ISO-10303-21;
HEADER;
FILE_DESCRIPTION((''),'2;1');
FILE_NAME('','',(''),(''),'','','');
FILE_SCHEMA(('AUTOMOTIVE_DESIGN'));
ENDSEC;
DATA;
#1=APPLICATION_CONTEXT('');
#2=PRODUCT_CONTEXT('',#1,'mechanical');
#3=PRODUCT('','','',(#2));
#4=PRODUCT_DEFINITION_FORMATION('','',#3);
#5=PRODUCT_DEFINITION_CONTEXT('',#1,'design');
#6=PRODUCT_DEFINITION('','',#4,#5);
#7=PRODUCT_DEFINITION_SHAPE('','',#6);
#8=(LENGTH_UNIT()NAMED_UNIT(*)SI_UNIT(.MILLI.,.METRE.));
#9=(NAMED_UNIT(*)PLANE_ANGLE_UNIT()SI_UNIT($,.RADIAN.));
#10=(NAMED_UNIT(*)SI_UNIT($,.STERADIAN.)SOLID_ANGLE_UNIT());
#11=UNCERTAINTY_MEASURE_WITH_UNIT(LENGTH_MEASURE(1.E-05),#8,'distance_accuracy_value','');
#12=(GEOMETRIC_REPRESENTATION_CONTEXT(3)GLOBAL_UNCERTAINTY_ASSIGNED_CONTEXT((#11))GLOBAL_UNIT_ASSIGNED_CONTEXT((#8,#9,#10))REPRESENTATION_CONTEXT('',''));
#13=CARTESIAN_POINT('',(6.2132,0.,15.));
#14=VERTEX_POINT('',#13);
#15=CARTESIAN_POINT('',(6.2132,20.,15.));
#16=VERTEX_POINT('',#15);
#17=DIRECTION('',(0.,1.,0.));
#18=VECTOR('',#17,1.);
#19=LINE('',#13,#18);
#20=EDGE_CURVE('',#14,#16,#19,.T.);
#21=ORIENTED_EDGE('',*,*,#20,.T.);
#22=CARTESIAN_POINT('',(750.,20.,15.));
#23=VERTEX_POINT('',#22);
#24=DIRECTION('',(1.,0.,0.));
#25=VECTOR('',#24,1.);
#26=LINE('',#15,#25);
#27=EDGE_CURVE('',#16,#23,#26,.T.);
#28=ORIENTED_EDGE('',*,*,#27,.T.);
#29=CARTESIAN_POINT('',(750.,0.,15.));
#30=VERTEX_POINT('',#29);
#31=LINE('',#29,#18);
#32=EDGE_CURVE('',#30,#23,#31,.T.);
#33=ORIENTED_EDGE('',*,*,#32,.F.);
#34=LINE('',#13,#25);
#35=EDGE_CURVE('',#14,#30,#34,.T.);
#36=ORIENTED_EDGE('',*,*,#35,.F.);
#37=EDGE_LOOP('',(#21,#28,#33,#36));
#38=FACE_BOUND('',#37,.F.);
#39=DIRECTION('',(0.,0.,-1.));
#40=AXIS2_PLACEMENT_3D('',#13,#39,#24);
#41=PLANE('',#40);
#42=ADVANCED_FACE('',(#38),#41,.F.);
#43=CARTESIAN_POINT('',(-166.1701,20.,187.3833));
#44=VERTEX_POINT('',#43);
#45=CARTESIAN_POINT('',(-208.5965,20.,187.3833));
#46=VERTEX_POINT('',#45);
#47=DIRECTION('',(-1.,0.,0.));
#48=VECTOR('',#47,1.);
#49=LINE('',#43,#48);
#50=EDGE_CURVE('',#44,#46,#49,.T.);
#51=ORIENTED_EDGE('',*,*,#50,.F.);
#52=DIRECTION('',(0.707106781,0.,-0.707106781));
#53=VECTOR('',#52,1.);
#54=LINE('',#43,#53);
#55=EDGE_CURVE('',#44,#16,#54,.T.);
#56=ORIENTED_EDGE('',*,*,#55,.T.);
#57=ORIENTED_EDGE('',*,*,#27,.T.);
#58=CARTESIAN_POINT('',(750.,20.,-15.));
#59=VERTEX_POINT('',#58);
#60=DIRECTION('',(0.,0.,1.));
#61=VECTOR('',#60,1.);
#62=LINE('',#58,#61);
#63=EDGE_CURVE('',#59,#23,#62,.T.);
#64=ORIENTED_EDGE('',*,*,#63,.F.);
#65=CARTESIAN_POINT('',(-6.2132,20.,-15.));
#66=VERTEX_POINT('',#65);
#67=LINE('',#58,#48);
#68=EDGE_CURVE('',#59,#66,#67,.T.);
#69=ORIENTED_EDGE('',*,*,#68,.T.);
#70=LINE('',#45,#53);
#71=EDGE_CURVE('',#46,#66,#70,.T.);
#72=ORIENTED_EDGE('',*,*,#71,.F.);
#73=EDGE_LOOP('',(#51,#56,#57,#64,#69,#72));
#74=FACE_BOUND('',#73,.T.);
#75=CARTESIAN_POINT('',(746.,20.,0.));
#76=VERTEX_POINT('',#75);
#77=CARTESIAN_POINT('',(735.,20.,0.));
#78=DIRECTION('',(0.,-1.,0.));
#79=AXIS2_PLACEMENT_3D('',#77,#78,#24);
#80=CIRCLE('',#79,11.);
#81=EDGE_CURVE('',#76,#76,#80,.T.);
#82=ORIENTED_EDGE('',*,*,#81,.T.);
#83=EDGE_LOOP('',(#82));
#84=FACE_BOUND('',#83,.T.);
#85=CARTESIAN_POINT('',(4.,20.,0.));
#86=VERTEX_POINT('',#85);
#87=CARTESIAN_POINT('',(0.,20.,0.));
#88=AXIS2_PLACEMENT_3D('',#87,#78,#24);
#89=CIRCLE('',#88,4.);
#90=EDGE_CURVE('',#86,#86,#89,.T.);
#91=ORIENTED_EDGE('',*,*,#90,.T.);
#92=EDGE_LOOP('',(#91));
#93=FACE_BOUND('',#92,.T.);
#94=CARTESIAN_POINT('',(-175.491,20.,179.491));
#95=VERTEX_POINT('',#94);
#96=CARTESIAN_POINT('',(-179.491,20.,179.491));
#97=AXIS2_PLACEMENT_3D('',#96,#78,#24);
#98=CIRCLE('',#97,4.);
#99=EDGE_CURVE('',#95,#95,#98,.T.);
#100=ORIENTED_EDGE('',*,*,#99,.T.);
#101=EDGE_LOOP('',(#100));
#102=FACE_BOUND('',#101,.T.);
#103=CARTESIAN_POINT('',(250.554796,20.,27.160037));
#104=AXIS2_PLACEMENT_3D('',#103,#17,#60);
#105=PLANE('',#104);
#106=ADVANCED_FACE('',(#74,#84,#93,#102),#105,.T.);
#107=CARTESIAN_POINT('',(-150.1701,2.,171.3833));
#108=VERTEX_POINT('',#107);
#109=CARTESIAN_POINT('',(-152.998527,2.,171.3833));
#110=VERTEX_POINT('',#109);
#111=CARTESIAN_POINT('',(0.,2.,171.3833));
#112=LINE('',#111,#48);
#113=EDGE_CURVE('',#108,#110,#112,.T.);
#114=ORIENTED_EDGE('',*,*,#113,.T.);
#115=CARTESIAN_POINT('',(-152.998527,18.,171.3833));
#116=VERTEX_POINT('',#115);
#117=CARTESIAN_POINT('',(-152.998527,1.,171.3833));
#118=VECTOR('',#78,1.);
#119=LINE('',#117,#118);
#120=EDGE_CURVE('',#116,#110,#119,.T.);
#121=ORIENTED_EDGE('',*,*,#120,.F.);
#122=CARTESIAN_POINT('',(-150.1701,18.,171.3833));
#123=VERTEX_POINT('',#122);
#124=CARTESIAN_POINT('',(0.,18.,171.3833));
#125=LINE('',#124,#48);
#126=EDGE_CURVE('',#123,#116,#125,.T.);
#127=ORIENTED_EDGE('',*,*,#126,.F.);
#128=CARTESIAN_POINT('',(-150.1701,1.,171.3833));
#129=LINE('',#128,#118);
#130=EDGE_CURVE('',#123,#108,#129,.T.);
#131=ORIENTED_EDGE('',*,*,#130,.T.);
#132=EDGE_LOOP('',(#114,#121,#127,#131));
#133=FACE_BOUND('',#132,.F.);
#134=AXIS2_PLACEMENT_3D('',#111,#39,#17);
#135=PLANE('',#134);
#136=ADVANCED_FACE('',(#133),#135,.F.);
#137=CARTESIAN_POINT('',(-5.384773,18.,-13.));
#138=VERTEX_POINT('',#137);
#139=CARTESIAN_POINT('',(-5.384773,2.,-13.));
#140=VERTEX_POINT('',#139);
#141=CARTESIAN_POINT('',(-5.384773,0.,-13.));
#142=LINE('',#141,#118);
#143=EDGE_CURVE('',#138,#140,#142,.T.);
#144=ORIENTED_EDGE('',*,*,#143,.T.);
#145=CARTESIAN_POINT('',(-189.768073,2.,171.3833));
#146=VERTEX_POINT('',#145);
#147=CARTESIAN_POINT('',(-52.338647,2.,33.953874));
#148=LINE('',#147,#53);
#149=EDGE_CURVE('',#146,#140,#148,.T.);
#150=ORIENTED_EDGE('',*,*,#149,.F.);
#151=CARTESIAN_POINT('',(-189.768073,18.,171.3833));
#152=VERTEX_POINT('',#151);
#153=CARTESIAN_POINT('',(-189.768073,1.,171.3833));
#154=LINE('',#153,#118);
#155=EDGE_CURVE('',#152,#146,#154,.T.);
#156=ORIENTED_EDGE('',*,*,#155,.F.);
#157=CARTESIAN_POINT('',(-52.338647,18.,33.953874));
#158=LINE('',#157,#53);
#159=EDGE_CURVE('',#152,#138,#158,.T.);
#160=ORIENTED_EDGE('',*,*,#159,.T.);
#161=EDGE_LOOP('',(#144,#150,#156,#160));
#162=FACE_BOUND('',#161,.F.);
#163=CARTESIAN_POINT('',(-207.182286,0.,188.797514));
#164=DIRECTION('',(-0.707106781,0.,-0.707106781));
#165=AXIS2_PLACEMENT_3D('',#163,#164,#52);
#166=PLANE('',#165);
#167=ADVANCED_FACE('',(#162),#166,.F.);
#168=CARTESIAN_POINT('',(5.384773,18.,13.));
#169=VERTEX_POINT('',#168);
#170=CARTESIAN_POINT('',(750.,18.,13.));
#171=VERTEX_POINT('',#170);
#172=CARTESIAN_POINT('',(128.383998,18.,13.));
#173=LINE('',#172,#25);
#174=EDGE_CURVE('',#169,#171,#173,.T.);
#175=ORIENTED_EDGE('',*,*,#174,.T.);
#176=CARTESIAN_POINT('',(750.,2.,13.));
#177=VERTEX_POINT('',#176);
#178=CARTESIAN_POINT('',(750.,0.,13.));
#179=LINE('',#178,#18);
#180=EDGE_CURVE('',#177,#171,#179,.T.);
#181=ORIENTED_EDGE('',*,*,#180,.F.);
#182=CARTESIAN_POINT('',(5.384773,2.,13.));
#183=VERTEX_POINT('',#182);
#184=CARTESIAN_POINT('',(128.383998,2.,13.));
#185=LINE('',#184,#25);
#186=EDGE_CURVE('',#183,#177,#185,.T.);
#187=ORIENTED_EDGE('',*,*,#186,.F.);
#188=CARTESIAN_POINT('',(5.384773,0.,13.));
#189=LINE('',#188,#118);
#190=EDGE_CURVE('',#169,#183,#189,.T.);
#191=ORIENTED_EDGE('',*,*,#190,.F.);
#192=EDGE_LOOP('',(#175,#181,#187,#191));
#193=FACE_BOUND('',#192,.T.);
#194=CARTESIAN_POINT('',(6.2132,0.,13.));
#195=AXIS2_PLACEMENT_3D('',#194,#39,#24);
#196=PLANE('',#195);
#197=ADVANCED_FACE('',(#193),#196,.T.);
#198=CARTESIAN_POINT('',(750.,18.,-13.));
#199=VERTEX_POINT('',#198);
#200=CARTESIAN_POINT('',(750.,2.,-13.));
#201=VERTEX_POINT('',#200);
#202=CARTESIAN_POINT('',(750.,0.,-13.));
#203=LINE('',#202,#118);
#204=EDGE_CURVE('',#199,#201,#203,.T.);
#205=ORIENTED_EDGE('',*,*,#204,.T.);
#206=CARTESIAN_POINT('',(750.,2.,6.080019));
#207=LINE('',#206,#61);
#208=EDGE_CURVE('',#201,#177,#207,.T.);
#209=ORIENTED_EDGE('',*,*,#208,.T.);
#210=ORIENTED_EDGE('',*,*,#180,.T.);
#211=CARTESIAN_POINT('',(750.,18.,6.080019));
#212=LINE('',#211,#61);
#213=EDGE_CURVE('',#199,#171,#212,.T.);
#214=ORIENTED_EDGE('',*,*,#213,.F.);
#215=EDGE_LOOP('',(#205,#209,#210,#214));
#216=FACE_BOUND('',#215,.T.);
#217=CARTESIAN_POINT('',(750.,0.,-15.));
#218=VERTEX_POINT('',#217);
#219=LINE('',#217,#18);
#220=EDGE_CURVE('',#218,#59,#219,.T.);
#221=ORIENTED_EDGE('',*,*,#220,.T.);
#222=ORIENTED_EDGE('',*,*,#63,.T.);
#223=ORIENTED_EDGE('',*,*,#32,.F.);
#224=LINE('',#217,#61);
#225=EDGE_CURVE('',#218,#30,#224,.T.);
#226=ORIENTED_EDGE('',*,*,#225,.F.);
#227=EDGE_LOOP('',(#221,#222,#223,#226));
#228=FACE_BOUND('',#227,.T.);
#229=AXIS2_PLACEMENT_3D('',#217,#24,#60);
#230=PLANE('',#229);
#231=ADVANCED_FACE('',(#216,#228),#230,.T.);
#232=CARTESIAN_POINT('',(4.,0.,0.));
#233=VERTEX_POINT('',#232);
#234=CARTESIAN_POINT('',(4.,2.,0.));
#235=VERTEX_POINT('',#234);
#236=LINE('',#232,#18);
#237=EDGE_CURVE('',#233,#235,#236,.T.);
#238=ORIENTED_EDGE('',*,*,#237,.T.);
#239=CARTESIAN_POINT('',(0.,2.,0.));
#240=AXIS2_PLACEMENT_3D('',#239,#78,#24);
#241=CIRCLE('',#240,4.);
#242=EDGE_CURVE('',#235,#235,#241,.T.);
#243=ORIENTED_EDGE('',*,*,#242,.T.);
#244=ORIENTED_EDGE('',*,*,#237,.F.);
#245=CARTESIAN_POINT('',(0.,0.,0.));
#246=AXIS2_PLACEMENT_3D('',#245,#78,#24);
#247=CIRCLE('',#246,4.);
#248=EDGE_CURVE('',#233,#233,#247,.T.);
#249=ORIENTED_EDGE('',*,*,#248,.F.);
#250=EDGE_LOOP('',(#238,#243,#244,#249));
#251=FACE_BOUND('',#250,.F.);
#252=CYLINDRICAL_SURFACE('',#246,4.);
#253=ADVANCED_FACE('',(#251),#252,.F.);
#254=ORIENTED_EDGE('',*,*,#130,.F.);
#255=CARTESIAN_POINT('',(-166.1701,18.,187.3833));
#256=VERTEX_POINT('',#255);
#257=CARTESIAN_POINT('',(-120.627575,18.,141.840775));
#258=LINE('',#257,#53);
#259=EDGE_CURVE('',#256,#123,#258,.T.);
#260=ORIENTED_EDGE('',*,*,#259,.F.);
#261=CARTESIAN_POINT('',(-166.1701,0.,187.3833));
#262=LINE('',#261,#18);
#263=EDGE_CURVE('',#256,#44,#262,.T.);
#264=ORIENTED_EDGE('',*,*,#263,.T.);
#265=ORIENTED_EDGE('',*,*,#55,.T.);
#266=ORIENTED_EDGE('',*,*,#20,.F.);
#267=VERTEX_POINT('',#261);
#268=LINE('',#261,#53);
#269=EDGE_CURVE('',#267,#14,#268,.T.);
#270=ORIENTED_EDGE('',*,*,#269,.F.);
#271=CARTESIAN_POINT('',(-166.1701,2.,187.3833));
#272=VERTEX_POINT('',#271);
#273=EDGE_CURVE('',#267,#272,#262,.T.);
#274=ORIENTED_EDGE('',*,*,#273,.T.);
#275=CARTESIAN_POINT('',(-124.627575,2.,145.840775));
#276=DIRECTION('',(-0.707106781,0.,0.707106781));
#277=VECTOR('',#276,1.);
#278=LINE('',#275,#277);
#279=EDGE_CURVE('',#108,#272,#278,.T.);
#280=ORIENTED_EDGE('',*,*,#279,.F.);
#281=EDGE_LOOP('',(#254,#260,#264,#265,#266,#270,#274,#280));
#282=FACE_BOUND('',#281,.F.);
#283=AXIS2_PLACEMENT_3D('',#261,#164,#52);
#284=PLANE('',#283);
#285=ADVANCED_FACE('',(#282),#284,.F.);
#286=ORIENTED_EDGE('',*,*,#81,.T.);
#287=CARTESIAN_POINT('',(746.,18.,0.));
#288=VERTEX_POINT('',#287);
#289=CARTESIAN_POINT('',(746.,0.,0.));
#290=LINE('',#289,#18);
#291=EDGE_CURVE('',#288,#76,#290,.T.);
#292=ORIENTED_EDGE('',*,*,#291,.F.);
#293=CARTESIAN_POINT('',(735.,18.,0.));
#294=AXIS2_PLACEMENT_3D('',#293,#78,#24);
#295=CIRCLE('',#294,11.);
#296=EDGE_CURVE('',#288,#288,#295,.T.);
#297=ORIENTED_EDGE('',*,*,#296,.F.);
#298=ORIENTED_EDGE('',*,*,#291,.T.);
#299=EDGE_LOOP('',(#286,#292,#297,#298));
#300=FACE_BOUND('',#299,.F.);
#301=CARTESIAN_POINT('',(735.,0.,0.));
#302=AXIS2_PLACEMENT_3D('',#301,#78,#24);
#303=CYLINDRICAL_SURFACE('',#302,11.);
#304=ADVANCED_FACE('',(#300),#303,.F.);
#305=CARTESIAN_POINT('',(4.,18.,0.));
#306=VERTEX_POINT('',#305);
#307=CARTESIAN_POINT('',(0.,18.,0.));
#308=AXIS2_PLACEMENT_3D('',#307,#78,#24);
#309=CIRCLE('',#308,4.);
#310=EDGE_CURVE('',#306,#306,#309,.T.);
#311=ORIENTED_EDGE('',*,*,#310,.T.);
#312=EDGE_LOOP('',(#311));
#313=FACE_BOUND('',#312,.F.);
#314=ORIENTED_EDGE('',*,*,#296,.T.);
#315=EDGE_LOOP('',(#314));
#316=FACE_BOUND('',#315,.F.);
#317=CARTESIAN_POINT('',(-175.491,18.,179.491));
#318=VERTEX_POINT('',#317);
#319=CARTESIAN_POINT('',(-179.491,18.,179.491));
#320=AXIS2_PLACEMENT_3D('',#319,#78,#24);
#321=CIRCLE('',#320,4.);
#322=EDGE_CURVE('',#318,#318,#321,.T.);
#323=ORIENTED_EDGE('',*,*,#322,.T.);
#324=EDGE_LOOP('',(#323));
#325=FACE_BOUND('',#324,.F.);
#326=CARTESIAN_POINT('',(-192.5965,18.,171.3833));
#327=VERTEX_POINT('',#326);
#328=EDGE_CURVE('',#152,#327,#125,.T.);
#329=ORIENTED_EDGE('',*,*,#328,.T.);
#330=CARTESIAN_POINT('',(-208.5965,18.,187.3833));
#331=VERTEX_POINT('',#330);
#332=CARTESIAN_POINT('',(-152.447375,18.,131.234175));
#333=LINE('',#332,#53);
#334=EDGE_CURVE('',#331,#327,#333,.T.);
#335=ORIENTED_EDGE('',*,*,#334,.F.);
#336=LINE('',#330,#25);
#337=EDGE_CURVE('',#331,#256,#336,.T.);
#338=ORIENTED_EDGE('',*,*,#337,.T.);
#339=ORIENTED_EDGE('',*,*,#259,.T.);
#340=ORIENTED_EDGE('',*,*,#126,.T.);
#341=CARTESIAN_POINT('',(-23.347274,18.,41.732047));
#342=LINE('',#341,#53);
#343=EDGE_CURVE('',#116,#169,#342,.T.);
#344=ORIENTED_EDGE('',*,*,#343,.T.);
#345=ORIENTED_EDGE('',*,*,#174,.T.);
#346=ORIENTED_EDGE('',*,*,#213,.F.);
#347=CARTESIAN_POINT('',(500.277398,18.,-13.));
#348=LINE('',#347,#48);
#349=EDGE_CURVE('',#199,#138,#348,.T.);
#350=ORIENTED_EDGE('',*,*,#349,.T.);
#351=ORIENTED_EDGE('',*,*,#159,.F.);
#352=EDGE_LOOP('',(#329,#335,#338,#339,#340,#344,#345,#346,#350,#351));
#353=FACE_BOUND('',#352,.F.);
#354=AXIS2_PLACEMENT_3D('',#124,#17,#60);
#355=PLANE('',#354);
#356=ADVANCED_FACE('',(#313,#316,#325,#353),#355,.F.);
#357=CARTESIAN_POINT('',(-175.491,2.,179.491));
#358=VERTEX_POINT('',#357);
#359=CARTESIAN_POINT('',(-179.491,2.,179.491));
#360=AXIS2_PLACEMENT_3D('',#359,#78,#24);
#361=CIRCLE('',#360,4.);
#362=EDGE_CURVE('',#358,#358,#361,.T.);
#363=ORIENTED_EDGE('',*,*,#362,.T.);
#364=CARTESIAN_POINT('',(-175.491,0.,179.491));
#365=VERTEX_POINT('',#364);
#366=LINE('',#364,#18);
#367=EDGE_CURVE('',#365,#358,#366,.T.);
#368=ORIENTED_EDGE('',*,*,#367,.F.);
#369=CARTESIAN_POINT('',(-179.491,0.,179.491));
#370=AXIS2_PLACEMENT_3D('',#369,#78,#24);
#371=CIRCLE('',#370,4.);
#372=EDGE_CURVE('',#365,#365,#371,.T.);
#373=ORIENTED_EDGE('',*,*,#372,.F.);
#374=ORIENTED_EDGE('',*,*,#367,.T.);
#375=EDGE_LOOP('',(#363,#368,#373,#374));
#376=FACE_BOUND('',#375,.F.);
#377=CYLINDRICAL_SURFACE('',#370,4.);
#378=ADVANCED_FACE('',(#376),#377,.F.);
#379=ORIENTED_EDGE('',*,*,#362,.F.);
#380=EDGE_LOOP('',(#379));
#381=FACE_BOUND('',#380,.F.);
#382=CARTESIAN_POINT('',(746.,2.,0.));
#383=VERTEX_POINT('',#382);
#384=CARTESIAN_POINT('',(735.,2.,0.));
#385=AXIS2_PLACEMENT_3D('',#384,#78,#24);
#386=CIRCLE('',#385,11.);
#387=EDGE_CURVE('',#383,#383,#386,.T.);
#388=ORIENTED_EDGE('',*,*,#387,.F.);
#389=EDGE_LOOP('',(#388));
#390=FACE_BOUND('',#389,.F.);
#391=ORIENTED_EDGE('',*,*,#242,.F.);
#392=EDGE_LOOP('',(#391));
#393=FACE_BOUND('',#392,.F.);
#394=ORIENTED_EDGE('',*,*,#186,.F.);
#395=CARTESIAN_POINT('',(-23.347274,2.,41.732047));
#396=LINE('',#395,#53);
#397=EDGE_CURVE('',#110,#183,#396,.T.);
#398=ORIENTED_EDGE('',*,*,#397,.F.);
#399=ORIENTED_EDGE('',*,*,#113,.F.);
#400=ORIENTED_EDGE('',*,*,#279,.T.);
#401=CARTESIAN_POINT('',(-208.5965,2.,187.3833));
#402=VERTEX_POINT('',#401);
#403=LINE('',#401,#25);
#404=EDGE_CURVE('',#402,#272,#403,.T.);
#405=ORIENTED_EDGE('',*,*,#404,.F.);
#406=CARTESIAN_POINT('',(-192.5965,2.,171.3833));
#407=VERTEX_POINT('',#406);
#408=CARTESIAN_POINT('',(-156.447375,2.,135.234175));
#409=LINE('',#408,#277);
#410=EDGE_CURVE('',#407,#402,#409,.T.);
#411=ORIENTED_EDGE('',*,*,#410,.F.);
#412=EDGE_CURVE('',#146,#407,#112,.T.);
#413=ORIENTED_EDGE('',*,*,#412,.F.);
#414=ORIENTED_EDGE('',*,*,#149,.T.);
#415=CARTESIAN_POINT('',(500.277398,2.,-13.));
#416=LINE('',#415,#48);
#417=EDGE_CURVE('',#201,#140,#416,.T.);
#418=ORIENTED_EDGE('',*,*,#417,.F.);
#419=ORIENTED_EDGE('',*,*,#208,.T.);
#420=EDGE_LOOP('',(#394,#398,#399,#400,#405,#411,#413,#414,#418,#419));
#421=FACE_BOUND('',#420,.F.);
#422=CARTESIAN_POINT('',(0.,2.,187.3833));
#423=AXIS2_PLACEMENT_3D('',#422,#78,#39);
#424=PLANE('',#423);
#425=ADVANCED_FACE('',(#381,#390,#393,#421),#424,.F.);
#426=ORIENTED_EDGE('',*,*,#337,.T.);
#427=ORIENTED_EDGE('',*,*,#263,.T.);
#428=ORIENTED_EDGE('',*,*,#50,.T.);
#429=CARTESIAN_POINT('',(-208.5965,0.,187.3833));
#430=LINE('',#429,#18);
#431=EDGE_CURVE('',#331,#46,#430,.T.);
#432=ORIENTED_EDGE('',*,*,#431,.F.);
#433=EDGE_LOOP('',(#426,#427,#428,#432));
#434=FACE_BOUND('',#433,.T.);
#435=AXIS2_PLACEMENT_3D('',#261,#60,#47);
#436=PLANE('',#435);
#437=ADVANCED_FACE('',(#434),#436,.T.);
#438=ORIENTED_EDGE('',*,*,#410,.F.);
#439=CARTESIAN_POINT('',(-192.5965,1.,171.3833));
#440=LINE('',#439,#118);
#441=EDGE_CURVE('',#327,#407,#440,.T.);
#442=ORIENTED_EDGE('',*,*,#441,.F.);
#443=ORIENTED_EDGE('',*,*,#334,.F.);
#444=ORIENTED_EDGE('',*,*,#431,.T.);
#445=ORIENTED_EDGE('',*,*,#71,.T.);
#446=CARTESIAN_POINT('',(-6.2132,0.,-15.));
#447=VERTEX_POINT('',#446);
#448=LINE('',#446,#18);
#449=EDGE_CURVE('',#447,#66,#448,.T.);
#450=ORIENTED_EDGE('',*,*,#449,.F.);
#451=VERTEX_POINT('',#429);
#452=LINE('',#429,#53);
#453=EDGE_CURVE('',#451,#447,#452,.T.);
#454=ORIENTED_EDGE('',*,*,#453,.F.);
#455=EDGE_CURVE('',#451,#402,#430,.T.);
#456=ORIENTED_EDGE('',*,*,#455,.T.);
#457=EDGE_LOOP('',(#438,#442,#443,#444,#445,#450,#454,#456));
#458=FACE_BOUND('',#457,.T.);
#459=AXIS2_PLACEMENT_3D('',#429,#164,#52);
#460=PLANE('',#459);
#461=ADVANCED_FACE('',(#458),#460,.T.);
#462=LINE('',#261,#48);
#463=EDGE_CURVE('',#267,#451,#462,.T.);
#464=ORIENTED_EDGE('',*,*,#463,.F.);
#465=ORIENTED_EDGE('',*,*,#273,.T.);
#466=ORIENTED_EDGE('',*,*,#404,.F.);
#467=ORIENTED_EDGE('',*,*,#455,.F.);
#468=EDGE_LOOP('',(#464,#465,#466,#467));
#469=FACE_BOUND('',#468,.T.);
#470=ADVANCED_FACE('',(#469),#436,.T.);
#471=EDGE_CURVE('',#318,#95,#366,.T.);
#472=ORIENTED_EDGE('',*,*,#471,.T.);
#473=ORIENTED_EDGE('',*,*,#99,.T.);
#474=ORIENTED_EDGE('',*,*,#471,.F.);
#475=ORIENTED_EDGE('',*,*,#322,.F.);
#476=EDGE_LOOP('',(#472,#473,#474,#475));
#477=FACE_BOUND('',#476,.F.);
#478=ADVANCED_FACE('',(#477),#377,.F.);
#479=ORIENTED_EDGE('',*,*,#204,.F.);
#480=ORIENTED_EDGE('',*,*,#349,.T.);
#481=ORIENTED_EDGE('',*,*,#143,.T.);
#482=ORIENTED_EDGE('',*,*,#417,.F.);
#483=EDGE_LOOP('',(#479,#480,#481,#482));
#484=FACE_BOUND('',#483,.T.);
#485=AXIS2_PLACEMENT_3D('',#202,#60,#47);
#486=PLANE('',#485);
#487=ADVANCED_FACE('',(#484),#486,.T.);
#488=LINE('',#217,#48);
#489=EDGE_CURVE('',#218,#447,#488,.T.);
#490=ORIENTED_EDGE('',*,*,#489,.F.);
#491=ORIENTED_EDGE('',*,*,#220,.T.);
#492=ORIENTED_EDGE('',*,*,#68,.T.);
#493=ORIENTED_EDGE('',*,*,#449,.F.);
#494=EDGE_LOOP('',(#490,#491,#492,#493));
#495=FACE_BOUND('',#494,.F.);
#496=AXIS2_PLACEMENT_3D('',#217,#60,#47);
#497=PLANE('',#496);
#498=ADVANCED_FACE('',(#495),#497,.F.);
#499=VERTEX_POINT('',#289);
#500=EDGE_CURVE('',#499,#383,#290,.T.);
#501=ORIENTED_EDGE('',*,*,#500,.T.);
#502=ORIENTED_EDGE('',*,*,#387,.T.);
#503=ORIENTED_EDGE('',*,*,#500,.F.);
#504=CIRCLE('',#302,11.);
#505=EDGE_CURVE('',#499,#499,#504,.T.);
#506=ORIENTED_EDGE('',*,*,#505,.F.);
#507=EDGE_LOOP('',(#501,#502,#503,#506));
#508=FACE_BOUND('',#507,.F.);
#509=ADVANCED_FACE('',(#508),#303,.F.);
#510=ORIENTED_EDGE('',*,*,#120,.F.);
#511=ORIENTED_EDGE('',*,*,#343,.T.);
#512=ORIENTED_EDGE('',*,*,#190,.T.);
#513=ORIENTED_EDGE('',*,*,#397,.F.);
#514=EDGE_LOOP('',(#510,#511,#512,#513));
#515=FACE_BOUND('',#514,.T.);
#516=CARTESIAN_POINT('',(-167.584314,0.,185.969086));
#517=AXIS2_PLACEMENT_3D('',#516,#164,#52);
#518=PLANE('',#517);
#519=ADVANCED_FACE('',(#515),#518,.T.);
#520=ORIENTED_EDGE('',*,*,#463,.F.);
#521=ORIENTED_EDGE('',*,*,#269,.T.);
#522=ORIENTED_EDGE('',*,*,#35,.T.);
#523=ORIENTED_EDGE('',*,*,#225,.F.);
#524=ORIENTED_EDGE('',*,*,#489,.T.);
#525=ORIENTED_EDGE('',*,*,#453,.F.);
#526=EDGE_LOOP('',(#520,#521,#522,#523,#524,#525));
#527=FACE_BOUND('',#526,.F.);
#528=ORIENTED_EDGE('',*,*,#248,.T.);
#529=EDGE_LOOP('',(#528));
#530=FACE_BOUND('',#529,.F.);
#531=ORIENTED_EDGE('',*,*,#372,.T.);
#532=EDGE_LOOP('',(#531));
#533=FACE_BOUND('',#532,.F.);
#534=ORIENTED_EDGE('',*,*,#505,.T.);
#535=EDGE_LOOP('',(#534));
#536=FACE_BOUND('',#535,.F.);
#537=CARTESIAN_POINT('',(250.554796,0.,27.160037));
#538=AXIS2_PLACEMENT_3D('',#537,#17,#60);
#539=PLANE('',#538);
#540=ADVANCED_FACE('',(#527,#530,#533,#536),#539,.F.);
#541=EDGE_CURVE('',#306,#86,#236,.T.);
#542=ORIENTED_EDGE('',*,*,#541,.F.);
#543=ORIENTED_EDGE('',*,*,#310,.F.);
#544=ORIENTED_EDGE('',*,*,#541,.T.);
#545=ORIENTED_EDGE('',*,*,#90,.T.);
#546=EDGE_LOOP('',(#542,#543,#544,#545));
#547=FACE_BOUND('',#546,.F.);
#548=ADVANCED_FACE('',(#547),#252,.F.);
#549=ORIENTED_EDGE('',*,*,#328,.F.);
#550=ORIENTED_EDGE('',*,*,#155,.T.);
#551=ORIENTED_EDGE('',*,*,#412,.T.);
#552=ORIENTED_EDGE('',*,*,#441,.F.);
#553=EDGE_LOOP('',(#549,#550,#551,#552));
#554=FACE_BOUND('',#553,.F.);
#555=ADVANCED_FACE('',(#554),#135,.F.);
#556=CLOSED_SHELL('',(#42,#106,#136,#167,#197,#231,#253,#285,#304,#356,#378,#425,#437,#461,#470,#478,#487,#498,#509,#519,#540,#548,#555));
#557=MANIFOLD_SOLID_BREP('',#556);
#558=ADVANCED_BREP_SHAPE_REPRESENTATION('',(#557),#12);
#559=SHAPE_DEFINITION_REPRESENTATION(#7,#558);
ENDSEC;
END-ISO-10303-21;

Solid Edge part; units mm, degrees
sketch "Sketch1" plane through (0, 0, 0) normal (0, -1, 0) x (1, 0, 0)
  line L0 (-166.1701, 187.3833) -> (6.2132, 15)
  line L1 (6.2132, 15) -> (750, 15)
  line L2 (750, -15) -> (750, 15)
  line L3 (750, -15) -> (-6.2132, -15)
  line L4 (-208.5965, 187.3833) -> (-6.2132, -15)
  line L5 (-166.1701, 187.3833) -> (-208.5965, 187.3833)
extrude "Protrusion1" add sketch "Sketch1" against normal blind 20
shell "Thinwall_1" thickness 2 removed faces 2 at (750, 16.4667, -10.3) at (-172.8169, 16.4667, 187.3833)
sketch "Sketch2" plane through (0, 0, 0) normal (0, -1, 0) x (1, 0, 0)
  circle A0 centre (-179.491, 179.491) radius 4
extrude "ExtrudedCutout_1" cut sketch "Sketch2" against normal blind 71.5444
sketch "Sketch3" plane through (0, 0, 0) normal (0, -1, 0) x (1, 0, 0)
  circle A0 centre (0, 0) radius 4
extrude "ExtrudedCutout_2" cut sketch "Sketch3" against normal blind 129.6912
sketch "Sketch4" plane through (0, 0, 0) normal (0, -1, 0) x (1, 0, 0)
  circle A0 centre (735, 0) radius 11
extrude "ExtrudedCutout_3" cut sketch "Sketch4" against normal blind 104.4525
sketch "Sketch5" plane through (0, 0, 0) normal (1, 0, 0) x (0, 1, 0)
  line L0 (18, 171.3833) -> (18, 187.3833)
  line L1 (2, 187.3833) -> (18, 187.3833)
  line L2 (2, 187.3833) -> (2, 171.3833)
  line L3 (2, 171.3833) -> (18, 171.3833)
extrude "ExtrudedCutout_4" cut sketch "Sketch5" against normal blind 277.745
